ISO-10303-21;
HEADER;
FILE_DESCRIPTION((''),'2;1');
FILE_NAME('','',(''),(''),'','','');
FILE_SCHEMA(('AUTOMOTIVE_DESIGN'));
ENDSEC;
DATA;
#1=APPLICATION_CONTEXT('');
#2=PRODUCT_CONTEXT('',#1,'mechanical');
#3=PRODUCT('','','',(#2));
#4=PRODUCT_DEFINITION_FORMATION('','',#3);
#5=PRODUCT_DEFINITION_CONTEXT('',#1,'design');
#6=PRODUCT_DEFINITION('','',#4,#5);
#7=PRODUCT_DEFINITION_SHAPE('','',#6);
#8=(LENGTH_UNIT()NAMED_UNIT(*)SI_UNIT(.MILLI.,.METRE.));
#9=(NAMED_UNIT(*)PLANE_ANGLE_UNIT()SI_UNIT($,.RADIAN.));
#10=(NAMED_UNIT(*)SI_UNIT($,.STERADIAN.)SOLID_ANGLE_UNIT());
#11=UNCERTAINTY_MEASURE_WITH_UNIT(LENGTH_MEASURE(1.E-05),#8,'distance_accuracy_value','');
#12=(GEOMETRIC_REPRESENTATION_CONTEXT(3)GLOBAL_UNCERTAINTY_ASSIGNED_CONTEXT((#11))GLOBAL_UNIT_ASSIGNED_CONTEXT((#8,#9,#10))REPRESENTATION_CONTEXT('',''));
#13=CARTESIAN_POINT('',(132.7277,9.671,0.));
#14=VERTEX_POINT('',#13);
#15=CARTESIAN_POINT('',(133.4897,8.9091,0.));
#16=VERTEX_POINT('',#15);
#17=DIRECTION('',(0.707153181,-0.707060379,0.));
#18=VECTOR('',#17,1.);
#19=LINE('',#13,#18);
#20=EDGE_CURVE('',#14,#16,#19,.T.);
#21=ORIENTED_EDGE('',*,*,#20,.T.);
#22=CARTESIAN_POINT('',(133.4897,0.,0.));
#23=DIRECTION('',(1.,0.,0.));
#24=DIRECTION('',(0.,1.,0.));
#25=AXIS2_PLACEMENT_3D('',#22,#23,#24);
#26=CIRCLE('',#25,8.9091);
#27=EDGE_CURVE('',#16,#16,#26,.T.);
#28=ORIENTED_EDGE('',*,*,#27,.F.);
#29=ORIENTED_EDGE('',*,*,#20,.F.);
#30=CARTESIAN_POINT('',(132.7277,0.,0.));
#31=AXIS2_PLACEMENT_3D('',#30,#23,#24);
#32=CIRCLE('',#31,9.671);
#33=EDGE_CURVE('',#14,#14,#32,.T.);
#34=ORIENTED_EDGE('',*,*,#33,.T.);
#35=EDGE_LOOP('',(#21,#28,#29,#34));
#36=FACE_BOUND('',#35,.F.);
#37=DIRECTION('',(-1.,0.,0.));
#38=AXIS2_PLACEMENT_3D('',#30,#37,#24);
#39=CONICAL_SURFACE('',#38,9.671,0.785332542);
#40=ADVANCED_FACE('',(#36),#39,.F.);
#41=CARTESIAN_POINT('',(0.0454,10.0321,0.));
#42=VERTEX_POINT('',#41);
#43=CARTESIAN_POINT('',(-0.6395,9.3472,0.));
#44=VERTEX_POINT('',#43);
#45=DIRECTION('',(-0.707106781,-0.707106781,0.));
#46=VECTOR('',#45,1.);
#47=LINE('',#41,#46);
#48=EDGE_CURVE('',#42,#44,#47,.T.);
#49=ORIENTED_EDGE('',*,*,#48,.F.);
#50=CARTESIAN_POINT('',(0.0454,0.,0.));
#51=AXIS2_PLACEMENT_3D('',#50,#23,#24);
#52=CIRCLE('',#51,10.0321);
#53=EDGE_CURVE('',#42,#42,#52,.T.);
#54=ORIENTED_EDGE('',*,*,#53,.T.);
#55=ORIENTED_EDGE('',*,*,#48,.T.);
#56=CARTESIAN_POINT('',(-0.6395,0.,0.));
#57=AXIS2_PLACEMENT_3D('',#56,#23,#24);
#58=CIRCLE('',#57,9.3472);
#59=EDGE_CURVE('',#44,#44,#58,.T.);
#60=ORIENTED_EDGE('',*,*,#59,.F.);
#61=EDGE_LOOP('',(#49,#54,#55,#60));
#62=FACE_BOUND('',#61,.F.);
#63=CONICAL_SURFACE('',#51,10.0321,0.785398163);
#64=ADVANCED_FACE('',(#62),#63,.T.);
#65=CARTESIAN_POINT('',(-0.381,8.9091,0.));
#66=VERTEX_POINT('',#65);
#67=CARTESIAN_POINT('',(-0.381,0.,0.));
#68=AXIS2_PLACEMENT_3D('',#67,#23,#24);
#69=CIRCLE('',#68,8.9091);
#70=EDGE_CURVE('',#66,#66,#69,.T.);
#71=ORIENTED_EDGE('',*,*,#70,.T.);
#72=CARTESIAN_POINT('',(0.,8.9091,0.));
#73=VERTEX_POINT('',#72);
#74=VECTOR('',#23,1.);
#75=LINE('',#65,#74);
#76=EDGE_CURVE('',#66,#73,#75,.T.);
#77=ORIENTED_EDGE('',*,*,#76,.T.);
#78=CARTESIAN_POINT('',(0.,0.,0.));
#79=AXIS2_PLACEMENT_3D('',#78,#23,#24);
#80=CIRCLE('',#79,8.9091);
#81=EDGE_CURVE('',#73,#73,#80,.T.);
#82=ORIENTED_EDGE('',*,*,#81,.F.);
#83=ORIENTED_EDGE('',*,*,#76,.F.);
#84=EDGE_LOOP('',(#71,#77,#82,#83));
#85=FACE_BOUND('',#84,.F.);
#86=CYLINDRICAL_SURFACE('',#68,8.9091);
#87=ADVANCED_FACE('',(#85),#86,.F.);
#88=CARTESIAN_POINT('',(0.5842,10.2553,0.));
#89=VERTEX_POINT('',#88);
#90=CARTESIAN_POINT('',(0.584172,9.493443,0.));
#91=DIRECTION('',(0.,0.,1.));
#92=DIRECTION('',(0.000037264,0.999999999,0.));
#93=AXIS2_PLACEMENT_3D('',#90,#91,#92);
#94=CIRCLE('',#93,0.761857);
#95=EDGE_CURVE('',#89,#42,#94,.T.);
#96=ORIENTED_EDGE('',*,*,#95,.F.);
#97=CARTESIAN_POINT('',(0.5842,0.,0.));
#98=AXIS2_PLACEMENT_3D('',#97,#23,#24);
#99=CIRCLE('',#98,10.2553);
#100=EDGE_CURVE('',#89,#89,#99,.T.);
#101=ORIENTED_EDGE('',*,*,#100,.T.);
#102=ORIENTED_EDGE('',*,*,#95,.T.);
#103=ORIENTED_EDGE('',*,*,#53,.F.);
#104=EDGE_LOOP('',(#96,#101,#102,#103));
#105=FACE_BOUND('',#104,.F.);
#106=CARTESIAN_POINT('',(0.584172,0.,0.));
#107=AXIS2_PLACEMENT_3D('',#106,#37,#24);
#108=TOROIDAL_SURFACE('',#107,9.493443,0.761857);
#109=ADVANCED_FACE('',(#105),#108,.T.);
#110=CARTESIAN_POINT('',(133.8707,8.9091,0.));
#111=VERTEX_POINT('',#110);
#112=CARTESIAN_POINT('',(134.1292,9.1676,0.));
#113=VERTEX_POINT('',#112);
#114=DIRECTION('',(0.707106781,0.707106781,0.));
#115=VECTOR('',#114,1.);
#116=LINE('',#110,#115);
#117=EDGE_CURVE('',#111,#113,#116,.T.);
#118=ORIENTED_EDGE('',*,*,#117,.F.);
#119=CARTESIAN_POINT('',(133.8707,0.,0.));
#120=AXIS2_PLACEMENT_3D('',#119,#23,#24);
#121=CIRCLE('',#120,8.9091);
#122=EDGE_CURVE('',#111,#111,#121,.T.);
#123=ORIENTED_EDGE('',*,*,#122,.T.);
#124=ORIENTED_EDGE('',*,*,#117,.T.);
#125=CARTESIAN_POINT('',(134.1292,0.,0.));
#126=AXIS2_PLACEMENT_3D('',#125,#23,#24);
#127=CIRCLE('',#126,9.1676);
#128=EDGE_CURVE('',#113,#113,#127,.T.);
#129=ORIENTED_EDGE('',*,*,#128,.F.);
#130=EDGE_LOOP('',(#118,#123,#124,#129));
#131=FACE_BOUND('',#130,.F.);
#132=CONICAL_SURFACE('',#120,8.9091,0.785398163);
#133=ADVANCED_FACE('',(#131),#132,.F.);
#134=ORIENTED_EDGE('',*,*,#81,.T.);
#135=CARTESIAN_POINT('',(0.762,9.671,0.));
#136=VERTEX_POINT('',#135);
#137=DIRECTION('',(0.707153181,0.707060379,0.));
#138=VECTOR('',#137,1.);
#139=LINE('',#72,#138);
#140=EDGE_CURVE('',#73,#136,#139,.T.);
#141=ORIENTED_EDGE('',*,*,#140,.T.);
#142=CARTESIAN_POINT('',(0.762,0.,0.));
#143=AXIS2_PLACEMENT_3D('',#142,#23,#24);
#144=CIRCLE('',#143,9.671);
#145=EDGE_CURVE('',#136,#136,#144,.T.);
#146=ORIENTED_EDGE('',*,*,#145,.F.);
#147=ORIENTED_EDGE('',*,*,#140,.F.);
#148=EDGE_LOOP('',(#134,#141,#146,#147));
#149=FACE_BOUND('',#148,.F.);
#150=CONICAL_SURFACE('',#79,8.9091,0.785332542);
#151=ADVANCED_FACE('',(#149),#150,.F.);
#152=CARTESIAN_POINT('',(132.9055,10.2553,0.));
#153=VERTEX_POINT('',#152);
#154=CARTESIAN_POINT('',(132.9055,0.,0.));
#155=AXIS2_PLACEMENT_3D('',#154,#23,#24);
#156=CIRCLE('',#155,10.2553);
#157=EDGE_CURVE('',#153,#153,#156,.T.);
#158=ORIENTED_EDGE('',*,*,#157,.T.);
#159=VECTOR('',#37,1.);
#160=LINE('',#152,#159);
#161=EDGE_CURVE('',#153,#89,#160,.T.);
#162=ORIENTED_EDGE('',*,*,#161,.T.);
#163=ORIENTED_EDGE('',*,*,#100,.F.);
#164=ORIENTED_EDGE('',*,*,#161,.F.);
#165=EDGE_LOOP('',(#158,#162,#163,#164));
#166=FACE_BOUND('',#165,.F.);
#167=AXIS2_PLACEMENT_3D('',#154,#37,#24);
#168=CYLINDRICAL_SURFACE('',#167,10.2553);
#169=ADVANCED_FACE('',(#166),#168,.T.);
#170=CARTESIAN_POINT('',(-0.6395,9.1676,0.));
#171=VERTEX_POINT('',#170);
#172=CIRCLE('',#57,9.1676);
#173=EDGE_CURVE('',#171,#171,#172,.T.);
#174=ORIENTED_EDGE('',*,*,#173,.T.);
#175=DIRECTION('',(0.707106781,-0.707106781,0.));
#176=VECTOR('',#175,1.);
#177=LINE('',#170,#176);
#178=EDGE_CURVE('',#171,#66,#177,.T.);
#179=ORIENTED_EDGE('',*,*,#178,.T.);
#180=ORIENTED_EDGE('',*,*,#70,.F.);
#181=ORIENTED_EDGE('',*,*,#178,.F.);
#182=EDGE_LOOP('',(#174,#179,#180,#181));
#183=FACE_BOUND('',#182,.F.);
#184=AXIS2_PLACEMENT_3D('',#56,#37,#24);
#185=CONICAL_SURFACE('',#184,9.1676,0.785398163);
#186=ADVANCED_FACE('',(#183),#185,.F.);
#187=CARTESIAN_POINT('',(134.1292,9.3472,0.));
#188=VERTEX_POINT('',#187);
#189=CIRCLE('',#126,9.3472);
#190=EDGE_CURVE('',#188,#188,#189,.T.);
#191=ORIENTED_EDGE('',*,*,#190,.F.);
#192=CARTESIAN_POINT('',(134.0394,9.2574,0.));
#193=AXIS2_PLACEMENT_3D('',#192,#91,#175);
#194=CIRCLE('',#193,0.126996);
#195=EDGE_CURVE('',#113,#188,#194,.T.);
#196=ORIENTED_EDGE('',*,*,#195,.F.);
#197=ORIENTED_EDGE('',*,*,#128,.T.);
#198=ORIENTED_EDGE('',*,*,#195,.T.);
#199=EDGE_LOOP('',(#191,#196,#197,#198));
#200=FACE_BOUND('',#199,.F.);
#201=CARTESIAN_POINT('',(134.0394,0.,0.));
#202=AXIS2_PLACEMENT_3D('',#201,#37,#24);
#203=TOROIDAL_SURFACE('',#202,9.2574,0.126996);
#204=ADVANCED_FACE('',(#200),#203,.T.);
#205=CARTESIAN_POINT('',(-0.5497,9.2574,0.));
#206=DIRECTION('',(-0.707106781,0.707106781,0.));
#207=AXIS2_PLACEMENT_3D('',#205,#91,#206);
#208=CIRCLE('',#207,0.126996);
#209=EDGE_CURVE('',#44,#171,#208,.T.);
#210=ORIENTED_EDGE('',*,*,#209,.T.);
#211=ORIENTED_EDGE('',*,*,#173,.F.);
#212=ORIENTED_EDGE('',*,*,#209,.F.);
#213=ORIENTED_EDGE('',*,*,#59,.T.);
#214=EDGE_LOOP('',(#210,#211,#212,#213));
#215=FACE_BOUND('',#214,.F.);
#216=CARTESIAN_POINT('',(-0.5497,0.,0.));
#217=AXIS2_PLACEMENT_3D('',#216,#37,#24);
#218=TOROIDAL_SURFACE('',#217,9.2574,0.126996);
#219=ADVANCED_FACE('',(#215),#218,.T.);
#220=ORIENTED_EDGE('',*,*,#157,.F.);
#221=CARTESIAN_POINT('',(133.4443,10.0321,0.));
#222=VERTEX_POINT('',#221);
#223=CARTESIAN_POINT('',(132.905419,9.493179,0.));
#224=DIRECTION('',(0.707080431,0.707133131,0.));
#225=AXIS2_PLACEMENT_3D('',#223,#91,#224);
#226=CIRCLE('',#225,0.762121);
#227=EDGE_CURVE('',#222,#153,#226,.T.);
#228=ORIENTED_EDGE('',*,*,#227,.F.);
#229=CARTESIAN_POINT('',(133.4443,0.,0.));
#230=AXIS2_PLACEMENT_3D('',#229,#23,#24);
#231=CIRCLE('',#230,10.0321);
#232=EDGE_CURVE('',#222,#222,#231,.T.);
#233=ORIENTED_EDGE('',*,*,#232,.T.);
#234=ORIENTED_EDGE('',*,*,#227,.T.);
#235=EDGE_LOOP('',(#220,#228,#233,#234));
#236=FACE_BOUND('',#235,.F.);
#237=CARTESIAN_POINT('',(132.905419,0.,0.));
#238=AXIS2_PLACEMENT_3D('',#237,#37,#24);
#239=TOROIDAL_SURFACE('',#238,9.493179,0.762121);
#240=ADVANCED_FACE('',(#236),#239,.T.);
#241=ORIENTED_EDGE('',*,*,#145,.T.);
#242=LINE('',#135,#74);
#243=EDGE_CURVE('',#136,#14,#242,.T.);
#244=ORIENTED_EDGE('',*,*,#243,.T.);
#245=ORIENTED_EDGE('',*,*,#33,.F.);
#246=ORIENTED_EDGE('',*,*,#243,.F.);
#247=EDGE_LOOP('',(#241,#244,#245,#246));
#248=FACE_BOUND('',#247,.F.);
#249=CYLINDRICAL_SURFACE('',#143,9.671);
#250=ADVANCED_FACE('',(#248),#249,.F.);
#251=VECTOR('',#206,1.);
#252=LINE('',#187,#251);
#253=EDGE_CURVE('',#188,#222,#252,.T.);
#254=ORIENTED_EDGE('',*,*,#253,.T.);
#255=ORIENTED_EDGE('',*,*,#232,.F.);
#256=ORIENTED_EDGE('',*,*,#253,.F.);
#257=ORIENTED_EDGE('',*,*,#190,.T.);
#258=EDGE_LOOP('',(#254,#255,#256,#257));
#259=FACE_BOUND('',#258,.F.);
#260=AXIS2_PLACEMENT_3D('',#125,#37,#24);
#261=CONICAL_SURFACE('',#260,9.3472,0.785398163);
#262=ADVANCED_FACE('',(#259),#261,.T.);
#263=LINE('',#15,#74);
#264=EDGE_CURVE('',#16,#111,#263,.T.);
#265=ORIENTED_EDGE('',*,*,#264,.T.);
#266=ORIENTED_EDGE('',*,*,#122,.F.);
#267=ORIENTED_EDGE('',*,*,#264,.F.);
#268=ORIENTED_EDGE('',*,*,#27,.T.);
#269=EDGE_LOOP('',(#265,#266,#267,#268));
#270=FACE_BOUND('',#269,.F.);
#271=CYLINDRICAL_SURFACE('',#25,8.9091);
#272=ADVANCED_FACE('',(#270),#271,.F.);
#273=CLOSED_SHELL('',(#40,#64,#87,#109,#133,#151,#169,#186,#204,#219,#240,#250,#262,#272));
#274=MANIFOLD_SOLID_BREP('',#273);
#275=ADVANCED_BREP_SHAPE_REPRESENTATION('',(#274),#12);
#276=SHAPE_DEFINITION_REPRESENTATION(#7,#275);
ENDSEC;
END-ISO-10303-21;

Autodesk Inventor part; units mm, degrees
sketch "Sketch_1" plane through (0, 0, 0) normal (0, 0, 1) x (1, 0, 0)
  line L0 (133.4897, 0) -> (0, 0)
  arc A0 (-0.6395, 9.3472) -> (-0.6395, 9.1676) centre (-0.5497, 9.2574) ccw
  line L1 (-0.6395, 9.1676) -> (-0.381, 8.9091)
  line L2 (-0.381, 8.9091) -> (0, 8.9091)
  line L3 (0, 8.9091) -> (0.762, 9.671)
  line L4 (0.762, 9.671) -> (132.7277, 9.671)
  line L5 (132.7277, 9.671) -> (133.4897, 8.9091)
  line L6 (133.4897, 8.9091) -> (133.8707, 8.9091)
  line L7 (133.8707, 8.9091) -> (134.1292, 9.1676)
  arc A1 (134.1292, 9.1676) -> (134.1292, 9.3472) centre (134.0394, 9.2574) ccw
  line L8 (134.1292, 9.3472) -> (133.4443, 10.0321)
  arc A2 (133.4443, 10.0321) -> (132.9055, 10.2553) centre (132.9055, 9.4933) ccw
  line L9 (132.9055, 10.2553) -> (0.5842, 10.2553)
  arc A3 (0.5842, 10.2553) -> (0.0454, 10.0321) centre (0.5842, 9.4933) ccw
  line L10 (0.0454, 10.0321) -> (-0.6395, 9.3472)
revolve "Revolution1" add sketch "Sketch_1" angle 360 about axis through (133.4897, 0, 0) along (1, 0, 0)
ref_plane "cp1_XY" through (66.7449, 10.2553, 0) normal (1, 0, 0) x (0, 0, -1)
ref_plane "cp1_YZ" through (66.7449, 10.2553, 0) normal (0, 0, -1) x (0, 1, 0)
ref_plane "cp1_ZX" through (66.7449, 10.2553, 0) normal (0, 1, 0) x (1, 0, 0)
ref_plane "cp2_XY" through (66.7449, 0, -10.2553) normal (1, 0, 0) x (0, 0, -1)
ref_plane "cp2_YZ" through (66.7449, 0, -10.2553) normal (0, 0, -1) x (0, 1, 0)
ref_plane "cp2_ZX" through (66.7449, 0, -10.2553) normal (0, 1, 0) x (1, 0, 0)
ref_plane "cp3_XY" through (66.7449, -10.2553, 0) normal (1, 0, 0) x (0, 0, -1)
ref_plane "cp3_YZ" through (66.7449, -10.2553, 0) normal (0, 0, -1) x (0, 1, 0)
ref_plane "cp3_ZX" through (66.7449, -10.2553, 0) normal (0, 1, 0) x (1, 0, 0)
ref_plane "cp4_XY" through (66.7449, 0, 10.2553) normal (1, 0, 0) x (0, 0, -1)
ref_plane "cp4_YZ" through (66.7449, 0, 10.2553) normal (0, 0, -1) x (0, 1, 0)
ref_plane "cp4_ZX" through (66.7449, 0, 10.2553) normal (0, 1, 0) x (1, 0, 0)
ref_plane "tube_front_XY" through (0, 0, 0) normal (1, 0, 0) x (0, 0, -1)
ref_plane "tube_front_YZ" through (0, 0, 0) normal (0, 0, -1) x (0, 1, 0)
ref_plane "tube_front_ZX" through (0, 0, 0) normal (0, 1, 0) x (1, 0, 0)
ref_plane "tube_rear_XY" through (133.4897, 0, 0) normal (1, 0, 0) x (0, 0, -1)
ref_plane "tube_rear_YZ" through (133.4897, 0, 0) normal (0, 0, -1) x (0, 1, 0)
ref_plane "tube_rear_ZX" through (133.4897, 0, 0) normal (0, 1, 0) x (1, 0, 0)
properties part number "04R-5.25550C"
